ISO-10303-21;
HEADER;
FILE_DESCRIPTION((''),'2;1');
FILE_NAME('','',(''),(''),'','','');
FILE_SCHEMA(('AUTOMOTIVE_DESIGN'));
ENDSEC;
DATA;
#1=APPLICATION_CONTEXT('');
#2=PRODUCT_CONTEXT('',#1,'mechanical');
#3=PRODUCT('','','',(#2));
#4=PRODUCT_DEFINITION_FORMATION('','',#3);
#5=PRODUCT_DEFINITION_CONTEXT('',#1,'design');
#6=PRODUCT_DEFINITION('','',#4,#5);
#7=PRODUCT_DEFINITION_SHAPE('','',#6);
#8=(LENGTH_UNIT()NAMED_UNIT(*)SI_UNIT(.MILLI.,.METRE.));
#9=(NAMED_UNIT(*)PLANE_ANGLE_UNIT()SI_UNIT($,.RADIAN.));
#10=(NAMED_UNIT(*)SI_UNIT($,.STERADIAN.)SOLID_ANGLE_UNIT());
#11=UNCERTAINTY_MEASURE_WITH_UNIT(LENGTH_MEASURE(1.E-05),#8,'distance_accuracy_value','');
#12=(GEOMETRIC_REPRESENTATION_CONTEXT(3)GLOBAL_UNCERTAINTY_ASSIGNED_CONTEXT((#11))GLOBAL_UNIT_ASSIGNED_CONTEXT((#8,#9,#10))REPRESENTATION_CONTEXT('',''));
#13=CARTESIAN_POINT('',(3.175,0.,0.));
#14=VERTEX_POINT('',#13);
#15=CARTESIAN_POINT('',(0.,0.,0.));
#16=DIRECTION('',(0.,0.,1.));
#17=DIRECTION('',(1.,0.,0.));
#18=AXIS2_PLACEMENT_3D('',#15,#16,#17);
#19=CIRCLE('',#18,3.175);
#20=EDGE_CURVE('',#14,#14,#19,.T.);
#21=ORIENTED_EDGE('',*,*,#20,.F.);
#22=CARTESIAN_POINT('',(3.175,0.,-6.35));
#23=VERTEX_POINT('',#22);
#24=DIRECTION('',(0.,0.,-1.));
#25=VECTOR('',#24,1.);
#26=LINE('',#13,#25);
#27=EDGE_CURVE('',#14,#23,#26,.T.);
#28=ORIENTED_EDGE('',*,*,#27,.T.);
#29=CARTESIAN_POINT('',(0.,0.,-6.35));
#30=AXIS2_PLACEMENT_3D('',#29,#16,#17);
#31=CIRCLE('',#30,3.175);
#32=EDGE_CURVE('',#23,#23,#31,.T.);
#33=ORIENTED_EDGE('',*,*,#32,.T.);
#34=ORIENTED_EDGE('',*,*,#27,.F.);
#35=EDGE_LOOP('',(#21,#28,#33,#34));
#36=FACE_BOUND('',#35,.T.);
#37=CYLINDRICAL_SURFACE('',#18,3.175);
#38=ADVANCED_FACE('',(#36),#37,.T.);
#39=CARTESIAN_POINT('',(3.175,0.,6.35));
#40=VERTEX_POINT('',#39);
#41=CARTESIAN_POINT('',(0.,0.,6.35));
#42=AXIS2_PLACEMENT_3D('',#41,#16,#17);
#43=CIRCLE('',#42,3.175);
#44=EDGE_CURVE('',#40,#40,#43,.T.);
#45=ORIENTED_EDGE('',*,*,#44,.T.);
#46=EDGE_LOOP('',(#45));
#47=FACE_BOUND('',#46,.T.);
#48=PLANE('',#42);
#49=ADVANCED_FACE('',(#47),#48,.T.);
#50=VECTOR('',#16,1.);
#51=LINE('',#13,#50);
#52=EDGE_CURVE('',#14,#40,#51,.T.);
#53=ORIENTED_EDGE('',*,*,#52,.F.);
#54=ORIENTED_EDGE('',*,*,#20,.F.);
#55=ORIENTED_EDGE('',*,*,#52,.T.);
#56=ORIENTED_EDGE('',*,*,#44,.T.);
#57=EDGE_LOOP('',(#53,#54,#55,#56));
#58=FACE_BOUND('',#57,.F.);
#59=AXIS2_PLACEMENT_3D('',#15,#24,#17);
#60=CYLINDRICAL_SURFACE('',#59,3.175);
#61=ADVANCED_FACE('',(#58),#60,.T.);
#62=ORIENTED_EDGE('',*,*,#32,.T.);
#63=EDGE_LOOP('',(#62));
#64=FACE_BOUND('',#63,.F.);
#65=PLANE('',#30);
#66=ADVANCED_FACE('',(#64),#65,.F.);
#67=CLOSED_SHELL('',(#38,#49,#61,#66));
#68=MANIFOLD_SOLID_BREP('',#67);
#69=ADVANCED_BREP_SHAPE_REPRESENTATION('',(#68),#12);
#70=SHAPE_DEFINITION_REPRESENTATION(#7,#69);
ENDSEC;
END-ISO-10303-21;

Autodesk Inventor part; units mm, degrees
ref_plane "YZ Plane" through (0, 0, 0) normal (1, 0, 0) x (0, 1, 0)
ref_plane "XZ Plane" through (0, 0, 0) normal (0, 1, 0) x (-1, 0, 0)
ref_plane "XY Plane" through (0, 0, 0) normal (0, 0, 1) x (1, 0, 0)
sketch "Sketch1" plane through (0, 0, 0) normal (0, 0, 1) x (1, 0, 0)
  circle A0 centre (0, 0) radius 3.175
  dimension "d0" = 6.35
extrude "Extrusion1" add sketch "Sketch1" along normal mid plane 12.7
properties part number "MagnetShaft" material "Nickel-Copper Alloy 400"
